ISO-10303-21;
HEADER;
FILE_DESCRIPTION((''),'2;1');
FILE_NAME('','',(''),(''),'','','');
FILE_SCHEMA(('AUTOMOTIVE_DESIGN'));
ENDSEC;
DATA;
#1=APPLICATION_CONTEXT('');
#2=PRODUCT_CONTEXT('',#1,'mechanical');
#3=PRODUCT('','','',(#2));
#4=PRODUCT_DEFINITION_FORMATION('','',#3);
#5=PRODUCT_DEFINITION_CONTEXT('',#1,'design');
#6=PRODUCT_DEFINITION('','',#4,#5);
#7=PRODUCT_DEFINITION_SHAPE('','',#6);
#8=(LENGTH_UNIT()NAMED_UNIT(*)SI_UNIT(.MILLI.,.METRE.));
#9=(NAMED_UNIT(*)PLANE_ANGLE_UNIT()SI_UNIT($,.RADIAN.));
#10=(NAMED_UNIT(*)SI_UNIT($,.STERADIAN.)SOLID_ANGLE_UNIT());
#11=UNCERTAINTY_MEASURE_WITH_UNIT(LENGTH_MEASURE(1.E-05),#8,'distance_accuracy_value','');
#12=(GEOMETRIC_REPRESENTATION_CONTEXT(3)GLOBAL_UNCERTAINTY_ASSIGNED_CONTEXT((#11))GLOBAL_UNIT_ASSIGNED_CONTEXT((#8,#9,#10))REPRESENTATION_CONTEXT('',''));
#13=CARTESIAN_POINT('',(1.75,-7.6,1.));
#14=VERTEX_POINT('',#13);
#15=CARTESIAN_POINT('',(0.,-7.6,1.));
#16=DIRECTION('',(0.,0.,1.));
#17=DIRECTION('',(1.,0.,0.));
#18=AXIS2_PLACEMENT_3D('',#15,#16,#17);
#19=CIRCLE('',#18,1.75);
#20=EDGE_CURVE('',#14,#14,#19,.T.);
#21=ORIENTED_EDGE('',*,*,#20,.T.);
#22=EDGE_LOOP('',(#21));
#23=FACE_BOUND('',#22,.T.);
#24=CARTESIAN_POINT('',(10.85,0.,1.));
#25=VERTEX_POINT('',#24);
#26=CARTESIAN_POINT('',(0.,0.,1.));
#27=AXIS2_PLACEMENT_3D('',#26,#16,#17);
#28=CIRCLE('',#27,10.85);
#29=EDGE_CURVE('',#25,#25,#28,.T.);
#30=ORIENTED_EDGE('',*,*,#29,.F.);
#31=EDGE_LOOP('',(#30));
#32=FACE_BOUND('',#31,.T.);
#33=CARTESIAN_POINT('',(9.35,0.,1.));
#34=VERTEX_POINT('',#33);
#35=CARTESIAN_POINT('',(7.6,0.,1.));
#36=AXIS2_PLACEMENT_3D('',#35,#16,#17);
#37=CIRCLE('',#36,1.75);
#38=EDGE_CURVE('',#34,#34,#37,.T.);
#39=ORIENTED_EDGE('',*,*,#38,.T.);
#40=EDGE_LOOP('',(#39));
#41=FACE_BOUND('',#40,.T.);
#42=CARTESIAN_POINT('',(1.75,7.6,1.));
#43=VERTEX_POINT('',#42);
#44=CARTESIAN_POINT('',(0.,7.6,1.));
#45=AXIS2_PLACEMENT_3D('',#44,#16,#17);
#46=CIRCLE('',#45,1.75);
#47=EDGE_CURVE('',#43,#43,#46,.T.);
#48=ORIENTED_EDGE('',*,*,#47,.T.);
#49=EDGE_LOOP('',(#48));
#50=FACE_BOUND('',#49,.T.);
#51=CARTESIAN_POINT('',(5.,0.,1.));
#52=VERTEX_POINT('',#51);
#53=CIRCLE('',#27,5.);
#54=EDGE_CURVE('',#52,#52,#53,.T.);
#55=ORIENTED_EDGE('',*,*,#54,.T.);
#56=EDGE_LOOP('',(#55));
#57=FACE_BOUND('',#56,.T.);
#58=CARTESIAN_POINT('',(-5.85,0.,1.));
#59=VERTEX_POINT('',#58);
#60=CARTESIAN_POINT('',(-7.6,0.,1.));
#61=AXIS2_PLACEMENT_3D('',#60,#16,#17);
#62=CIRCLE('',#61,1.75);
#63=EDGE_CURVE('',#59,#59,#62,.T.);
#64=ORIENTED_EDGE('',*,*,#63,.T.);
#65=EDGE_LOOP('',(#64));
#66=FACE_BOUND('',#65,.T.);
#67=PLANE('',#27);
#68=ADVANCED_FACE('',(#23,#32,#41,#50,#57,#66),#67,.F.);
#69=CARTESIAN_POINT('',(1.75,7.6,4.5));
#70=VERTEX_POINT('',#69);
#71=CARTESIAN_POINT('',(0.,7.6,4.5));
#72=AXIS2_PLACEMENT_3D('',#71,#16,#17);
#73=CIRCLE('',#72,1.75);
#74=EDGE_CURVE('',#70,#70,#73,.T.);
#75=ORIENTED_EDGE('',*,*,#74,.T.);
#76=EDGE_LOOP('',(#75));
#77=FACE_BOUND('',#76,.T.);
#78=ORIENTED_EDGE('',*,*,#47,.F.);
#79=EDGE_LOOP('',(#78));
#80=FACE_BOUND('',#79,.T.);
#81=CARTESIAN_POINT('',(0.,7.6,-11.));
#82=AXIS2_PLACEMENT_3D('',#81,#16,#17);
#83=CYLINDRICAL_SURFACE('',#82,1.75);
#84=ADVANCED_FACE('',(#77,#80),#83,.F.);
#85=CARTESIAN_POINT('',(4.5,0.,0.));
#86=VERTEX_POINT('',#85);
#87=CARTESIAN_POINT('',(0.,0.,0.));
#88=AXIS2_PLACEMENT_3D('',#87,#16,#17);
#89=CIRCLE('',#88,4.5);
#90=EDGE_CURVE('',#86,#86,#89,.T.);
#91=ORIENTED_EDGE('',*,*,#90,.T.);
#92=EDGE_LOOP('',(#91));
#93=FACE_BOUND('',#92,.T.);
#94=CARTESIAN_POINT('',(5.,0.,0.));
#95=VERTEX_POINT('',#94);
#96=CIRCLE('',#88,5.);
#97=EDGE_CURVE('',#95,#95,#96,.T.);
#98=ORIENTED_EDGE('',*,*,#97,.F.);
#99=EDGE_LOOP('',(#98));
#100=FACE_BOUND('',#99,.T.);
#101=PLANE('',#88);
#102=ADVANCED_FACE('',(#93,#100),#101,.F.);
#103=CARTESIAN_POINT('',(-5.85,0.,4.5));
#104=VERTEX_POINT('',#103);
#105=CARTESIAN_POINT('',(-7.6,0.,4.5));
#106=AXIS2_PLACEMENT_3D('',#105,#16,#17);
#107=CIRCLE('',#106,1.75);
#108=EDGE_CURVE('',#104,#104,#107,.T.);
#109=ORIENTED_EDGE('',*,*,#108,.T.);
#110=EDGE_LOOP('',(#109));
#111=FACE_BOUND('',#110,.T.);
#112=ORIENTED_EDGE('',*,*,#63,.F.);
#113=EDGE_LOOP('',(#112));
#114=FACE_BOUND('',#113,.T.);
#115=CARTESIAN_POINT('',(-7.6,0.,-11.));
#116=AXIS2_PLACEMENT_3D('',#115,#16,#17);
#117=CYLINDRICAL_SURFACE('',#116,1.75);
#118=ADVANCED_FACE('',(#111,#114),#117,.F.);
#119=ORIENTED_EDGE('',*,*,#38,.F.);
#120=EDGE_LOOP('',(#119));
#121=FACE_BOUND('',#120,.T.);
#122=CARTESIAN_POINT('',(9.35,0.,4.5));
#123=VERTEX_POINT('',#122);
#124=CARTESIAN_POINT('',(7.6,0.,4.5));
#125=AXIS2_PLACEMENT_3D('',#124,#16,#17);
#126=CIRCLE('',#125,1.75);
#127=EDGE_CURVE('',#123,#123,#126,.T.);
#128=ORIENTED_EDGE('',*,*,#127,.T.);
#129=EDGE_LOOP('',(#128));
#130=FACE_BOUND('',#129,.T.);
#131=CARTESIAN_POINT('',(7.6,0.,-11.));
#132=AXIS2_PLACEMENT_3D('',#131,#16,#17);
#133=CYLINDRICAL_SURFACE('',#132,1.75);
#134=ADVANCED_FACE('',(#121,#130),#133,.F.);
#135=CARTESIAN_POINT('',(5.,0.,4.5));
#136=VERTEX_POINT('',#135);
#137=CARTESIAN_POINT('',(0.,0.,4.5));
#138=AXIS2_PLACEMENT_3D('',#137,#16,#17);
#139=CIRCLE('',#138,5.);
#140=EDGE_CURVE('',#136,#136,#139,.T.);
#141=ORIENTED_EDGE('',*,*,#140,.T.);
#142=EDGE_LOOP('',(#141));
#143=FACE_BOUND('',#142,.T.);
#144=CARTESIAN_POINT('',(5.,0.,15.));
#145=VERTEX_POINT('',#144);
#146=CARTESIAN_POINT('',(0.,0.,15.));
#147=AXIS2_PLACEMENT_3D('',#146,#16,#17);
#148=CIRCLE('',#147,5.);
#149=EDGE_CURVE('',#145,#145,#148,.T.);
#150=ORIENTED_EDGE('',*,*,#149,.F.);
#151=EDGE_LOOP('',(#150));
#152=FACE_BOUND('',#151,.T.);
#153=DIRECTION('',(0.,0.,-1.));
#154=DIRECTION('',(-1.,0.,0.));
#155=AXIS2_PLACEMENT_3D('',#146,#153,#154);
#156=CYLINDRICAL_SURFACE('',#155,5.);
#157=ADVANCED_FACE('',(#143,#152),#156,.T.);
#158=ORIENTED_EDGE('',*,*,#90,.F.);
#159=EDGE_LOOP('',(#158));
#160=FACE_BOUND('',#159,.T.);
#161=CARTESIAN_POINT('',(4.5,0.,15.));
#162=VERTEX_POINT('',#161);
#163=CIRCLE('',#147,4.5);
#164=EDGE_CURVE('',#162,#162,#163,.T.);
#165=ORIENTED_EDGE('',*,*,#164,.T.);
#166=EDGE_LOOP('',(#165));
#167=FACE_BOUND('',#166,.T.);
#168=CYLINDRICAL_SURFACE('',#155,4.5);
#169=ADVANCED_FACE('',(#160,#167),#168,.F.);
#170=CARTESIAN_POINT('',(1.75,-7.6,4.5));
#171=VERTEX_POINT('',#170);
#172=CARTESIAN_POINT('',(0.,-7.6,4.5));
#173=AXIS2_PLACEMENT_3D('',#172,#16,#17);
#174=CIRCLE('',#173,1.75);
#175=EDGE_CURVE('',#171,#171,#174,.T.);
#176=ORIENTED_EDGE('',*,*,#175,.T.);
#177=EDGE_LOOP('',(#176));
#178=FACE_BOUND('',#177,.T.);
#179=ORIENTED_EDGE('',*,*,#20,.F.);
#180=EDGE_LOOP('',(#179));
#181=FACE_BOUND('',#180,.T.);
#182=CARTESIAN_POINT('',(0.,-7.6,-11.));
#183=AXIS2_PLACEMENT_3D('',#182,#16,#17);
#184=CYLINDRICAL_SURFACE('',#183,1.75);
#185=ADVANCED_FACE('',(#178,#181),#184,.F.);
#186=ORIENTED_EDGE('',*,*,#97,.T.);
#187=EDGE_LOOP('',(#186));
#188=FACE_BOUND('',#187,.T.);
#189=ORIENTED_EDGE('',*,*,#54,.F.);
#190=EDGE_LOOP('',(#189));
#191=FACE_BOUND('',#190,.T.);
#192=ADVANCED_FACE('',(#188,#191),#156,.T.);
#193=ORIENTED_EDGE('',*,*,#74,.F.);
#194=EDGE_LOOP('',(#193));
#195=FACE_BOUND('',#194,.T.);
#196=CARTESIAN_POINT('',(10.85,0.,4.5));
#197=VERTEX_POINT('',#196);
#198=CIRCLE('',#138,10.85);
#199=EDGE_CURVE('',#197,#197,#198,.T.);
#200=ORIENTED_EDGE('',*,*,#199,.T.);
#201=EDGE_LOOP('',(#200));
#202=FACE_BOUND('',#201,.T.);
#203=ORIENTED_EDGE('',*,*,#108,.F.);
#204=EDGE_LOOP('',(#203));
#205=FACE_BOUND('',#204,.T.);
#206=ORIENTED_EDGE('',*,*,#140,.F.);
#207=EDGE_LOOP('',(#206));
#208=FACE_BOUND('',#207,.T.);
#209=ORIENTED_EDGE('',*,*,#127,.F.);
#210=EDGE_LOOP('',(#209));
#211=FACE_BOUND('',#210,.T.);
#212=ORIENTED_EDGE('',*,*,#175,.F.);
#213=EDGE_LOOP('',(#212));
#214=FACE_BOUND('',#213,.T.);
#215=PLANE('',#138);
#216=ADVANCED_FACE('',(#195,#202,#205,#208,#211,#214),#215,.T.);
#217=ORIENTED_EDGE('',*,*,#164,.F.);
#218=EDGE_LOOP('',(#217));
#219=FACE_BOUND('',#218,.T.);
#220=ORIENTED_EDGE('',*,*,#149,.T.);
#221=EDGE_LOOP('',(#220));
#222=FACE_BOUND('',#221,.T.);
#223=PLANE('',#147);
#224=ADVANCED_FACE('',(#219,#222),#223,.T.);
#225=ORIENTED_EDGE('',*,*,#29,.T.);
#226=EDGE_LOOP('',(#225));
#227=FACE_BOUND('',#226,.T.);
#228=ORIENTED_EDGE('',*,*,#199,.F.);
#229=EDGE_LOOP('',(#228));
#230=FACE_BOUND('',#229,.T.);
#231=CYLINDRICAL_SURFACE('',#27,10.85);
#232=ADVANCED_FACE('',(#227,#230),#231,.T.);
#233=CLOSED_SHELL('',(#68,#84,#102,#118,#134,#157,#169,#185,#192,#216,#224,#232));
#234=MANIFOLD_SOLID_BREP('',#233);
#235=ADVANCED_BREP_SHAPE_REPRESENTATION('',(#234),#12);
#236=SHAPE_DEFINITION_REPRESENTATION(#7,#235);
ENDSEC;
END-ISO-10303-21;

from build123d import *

# Parameters (mm, degrees)
SKETCH1_R           = 5
SKETCH1_R_2         = 4.5
BOSS_EXTRUDE1_DEPTH = 15
SKETCH2_R           = 10.85
BOSS_EXTRUDE2_DEPTH = 3.5
SKETCH4_R           = 1.75
CUT_EXTRUDE1_DEPTH  = 15.5
SKETCH5_R           = 4.5
CUT_EXTRUDE2_DEPTH  = 15.5


with BuildPart() as part:
    # Sketch1 → Boss-Extrude1 (new body)
    with BuildSketch(Plane.XY):
        Circle(SKETCH1_R)
        Circle(SKETCH1_R_2, mode=Mode.SUBTRACT)
    extrude(amount=BOSS_EXTRUDE1_DEPTH)

    # Sketch2 → Boss-Extrude2 (add)
    with BuildSketch(Plane.XY.offset(4.5)):
        Circle(SKETCH2_R)
    extrude(amount=-BOSS_EXTRUDE2_DEPTH)

    # Sketch4 → Cut-Extrude1 (cut)
    with BuildSketch(Plane.XY.offset(4.5)):
        with Locations((0, 7.6)):
            Circle(SKETCH4_R)
        with Locations((7.6, 0)):
            Circle(SKETCH4_R)
        with Locations((0, -7.6)):
            Circle(SKETCH4_R)
        with Locations((-7.6, 0)):
            Circle(SKETCH4_R)
    extrude(amount=-CUT_EXTRUDE1_DEPTH, mode=Mode.SUBTRACT)

    # Sketch5 → Cut-Extrude2 (cut)
    with BuildSketch(Plane(origin=(0, 0, 1), x_dir=(-1, 0, 0), z_dir=(0, 0, -1))):
        with Locations(Location((0, 0, 0), (0, 0, 180))):
            Circle(SKETCH5_R)
    extrude(amount=-CUT_EXTRUDE2_DEPTH, mode=Mode.SUBTRACT)


solid = part.part
